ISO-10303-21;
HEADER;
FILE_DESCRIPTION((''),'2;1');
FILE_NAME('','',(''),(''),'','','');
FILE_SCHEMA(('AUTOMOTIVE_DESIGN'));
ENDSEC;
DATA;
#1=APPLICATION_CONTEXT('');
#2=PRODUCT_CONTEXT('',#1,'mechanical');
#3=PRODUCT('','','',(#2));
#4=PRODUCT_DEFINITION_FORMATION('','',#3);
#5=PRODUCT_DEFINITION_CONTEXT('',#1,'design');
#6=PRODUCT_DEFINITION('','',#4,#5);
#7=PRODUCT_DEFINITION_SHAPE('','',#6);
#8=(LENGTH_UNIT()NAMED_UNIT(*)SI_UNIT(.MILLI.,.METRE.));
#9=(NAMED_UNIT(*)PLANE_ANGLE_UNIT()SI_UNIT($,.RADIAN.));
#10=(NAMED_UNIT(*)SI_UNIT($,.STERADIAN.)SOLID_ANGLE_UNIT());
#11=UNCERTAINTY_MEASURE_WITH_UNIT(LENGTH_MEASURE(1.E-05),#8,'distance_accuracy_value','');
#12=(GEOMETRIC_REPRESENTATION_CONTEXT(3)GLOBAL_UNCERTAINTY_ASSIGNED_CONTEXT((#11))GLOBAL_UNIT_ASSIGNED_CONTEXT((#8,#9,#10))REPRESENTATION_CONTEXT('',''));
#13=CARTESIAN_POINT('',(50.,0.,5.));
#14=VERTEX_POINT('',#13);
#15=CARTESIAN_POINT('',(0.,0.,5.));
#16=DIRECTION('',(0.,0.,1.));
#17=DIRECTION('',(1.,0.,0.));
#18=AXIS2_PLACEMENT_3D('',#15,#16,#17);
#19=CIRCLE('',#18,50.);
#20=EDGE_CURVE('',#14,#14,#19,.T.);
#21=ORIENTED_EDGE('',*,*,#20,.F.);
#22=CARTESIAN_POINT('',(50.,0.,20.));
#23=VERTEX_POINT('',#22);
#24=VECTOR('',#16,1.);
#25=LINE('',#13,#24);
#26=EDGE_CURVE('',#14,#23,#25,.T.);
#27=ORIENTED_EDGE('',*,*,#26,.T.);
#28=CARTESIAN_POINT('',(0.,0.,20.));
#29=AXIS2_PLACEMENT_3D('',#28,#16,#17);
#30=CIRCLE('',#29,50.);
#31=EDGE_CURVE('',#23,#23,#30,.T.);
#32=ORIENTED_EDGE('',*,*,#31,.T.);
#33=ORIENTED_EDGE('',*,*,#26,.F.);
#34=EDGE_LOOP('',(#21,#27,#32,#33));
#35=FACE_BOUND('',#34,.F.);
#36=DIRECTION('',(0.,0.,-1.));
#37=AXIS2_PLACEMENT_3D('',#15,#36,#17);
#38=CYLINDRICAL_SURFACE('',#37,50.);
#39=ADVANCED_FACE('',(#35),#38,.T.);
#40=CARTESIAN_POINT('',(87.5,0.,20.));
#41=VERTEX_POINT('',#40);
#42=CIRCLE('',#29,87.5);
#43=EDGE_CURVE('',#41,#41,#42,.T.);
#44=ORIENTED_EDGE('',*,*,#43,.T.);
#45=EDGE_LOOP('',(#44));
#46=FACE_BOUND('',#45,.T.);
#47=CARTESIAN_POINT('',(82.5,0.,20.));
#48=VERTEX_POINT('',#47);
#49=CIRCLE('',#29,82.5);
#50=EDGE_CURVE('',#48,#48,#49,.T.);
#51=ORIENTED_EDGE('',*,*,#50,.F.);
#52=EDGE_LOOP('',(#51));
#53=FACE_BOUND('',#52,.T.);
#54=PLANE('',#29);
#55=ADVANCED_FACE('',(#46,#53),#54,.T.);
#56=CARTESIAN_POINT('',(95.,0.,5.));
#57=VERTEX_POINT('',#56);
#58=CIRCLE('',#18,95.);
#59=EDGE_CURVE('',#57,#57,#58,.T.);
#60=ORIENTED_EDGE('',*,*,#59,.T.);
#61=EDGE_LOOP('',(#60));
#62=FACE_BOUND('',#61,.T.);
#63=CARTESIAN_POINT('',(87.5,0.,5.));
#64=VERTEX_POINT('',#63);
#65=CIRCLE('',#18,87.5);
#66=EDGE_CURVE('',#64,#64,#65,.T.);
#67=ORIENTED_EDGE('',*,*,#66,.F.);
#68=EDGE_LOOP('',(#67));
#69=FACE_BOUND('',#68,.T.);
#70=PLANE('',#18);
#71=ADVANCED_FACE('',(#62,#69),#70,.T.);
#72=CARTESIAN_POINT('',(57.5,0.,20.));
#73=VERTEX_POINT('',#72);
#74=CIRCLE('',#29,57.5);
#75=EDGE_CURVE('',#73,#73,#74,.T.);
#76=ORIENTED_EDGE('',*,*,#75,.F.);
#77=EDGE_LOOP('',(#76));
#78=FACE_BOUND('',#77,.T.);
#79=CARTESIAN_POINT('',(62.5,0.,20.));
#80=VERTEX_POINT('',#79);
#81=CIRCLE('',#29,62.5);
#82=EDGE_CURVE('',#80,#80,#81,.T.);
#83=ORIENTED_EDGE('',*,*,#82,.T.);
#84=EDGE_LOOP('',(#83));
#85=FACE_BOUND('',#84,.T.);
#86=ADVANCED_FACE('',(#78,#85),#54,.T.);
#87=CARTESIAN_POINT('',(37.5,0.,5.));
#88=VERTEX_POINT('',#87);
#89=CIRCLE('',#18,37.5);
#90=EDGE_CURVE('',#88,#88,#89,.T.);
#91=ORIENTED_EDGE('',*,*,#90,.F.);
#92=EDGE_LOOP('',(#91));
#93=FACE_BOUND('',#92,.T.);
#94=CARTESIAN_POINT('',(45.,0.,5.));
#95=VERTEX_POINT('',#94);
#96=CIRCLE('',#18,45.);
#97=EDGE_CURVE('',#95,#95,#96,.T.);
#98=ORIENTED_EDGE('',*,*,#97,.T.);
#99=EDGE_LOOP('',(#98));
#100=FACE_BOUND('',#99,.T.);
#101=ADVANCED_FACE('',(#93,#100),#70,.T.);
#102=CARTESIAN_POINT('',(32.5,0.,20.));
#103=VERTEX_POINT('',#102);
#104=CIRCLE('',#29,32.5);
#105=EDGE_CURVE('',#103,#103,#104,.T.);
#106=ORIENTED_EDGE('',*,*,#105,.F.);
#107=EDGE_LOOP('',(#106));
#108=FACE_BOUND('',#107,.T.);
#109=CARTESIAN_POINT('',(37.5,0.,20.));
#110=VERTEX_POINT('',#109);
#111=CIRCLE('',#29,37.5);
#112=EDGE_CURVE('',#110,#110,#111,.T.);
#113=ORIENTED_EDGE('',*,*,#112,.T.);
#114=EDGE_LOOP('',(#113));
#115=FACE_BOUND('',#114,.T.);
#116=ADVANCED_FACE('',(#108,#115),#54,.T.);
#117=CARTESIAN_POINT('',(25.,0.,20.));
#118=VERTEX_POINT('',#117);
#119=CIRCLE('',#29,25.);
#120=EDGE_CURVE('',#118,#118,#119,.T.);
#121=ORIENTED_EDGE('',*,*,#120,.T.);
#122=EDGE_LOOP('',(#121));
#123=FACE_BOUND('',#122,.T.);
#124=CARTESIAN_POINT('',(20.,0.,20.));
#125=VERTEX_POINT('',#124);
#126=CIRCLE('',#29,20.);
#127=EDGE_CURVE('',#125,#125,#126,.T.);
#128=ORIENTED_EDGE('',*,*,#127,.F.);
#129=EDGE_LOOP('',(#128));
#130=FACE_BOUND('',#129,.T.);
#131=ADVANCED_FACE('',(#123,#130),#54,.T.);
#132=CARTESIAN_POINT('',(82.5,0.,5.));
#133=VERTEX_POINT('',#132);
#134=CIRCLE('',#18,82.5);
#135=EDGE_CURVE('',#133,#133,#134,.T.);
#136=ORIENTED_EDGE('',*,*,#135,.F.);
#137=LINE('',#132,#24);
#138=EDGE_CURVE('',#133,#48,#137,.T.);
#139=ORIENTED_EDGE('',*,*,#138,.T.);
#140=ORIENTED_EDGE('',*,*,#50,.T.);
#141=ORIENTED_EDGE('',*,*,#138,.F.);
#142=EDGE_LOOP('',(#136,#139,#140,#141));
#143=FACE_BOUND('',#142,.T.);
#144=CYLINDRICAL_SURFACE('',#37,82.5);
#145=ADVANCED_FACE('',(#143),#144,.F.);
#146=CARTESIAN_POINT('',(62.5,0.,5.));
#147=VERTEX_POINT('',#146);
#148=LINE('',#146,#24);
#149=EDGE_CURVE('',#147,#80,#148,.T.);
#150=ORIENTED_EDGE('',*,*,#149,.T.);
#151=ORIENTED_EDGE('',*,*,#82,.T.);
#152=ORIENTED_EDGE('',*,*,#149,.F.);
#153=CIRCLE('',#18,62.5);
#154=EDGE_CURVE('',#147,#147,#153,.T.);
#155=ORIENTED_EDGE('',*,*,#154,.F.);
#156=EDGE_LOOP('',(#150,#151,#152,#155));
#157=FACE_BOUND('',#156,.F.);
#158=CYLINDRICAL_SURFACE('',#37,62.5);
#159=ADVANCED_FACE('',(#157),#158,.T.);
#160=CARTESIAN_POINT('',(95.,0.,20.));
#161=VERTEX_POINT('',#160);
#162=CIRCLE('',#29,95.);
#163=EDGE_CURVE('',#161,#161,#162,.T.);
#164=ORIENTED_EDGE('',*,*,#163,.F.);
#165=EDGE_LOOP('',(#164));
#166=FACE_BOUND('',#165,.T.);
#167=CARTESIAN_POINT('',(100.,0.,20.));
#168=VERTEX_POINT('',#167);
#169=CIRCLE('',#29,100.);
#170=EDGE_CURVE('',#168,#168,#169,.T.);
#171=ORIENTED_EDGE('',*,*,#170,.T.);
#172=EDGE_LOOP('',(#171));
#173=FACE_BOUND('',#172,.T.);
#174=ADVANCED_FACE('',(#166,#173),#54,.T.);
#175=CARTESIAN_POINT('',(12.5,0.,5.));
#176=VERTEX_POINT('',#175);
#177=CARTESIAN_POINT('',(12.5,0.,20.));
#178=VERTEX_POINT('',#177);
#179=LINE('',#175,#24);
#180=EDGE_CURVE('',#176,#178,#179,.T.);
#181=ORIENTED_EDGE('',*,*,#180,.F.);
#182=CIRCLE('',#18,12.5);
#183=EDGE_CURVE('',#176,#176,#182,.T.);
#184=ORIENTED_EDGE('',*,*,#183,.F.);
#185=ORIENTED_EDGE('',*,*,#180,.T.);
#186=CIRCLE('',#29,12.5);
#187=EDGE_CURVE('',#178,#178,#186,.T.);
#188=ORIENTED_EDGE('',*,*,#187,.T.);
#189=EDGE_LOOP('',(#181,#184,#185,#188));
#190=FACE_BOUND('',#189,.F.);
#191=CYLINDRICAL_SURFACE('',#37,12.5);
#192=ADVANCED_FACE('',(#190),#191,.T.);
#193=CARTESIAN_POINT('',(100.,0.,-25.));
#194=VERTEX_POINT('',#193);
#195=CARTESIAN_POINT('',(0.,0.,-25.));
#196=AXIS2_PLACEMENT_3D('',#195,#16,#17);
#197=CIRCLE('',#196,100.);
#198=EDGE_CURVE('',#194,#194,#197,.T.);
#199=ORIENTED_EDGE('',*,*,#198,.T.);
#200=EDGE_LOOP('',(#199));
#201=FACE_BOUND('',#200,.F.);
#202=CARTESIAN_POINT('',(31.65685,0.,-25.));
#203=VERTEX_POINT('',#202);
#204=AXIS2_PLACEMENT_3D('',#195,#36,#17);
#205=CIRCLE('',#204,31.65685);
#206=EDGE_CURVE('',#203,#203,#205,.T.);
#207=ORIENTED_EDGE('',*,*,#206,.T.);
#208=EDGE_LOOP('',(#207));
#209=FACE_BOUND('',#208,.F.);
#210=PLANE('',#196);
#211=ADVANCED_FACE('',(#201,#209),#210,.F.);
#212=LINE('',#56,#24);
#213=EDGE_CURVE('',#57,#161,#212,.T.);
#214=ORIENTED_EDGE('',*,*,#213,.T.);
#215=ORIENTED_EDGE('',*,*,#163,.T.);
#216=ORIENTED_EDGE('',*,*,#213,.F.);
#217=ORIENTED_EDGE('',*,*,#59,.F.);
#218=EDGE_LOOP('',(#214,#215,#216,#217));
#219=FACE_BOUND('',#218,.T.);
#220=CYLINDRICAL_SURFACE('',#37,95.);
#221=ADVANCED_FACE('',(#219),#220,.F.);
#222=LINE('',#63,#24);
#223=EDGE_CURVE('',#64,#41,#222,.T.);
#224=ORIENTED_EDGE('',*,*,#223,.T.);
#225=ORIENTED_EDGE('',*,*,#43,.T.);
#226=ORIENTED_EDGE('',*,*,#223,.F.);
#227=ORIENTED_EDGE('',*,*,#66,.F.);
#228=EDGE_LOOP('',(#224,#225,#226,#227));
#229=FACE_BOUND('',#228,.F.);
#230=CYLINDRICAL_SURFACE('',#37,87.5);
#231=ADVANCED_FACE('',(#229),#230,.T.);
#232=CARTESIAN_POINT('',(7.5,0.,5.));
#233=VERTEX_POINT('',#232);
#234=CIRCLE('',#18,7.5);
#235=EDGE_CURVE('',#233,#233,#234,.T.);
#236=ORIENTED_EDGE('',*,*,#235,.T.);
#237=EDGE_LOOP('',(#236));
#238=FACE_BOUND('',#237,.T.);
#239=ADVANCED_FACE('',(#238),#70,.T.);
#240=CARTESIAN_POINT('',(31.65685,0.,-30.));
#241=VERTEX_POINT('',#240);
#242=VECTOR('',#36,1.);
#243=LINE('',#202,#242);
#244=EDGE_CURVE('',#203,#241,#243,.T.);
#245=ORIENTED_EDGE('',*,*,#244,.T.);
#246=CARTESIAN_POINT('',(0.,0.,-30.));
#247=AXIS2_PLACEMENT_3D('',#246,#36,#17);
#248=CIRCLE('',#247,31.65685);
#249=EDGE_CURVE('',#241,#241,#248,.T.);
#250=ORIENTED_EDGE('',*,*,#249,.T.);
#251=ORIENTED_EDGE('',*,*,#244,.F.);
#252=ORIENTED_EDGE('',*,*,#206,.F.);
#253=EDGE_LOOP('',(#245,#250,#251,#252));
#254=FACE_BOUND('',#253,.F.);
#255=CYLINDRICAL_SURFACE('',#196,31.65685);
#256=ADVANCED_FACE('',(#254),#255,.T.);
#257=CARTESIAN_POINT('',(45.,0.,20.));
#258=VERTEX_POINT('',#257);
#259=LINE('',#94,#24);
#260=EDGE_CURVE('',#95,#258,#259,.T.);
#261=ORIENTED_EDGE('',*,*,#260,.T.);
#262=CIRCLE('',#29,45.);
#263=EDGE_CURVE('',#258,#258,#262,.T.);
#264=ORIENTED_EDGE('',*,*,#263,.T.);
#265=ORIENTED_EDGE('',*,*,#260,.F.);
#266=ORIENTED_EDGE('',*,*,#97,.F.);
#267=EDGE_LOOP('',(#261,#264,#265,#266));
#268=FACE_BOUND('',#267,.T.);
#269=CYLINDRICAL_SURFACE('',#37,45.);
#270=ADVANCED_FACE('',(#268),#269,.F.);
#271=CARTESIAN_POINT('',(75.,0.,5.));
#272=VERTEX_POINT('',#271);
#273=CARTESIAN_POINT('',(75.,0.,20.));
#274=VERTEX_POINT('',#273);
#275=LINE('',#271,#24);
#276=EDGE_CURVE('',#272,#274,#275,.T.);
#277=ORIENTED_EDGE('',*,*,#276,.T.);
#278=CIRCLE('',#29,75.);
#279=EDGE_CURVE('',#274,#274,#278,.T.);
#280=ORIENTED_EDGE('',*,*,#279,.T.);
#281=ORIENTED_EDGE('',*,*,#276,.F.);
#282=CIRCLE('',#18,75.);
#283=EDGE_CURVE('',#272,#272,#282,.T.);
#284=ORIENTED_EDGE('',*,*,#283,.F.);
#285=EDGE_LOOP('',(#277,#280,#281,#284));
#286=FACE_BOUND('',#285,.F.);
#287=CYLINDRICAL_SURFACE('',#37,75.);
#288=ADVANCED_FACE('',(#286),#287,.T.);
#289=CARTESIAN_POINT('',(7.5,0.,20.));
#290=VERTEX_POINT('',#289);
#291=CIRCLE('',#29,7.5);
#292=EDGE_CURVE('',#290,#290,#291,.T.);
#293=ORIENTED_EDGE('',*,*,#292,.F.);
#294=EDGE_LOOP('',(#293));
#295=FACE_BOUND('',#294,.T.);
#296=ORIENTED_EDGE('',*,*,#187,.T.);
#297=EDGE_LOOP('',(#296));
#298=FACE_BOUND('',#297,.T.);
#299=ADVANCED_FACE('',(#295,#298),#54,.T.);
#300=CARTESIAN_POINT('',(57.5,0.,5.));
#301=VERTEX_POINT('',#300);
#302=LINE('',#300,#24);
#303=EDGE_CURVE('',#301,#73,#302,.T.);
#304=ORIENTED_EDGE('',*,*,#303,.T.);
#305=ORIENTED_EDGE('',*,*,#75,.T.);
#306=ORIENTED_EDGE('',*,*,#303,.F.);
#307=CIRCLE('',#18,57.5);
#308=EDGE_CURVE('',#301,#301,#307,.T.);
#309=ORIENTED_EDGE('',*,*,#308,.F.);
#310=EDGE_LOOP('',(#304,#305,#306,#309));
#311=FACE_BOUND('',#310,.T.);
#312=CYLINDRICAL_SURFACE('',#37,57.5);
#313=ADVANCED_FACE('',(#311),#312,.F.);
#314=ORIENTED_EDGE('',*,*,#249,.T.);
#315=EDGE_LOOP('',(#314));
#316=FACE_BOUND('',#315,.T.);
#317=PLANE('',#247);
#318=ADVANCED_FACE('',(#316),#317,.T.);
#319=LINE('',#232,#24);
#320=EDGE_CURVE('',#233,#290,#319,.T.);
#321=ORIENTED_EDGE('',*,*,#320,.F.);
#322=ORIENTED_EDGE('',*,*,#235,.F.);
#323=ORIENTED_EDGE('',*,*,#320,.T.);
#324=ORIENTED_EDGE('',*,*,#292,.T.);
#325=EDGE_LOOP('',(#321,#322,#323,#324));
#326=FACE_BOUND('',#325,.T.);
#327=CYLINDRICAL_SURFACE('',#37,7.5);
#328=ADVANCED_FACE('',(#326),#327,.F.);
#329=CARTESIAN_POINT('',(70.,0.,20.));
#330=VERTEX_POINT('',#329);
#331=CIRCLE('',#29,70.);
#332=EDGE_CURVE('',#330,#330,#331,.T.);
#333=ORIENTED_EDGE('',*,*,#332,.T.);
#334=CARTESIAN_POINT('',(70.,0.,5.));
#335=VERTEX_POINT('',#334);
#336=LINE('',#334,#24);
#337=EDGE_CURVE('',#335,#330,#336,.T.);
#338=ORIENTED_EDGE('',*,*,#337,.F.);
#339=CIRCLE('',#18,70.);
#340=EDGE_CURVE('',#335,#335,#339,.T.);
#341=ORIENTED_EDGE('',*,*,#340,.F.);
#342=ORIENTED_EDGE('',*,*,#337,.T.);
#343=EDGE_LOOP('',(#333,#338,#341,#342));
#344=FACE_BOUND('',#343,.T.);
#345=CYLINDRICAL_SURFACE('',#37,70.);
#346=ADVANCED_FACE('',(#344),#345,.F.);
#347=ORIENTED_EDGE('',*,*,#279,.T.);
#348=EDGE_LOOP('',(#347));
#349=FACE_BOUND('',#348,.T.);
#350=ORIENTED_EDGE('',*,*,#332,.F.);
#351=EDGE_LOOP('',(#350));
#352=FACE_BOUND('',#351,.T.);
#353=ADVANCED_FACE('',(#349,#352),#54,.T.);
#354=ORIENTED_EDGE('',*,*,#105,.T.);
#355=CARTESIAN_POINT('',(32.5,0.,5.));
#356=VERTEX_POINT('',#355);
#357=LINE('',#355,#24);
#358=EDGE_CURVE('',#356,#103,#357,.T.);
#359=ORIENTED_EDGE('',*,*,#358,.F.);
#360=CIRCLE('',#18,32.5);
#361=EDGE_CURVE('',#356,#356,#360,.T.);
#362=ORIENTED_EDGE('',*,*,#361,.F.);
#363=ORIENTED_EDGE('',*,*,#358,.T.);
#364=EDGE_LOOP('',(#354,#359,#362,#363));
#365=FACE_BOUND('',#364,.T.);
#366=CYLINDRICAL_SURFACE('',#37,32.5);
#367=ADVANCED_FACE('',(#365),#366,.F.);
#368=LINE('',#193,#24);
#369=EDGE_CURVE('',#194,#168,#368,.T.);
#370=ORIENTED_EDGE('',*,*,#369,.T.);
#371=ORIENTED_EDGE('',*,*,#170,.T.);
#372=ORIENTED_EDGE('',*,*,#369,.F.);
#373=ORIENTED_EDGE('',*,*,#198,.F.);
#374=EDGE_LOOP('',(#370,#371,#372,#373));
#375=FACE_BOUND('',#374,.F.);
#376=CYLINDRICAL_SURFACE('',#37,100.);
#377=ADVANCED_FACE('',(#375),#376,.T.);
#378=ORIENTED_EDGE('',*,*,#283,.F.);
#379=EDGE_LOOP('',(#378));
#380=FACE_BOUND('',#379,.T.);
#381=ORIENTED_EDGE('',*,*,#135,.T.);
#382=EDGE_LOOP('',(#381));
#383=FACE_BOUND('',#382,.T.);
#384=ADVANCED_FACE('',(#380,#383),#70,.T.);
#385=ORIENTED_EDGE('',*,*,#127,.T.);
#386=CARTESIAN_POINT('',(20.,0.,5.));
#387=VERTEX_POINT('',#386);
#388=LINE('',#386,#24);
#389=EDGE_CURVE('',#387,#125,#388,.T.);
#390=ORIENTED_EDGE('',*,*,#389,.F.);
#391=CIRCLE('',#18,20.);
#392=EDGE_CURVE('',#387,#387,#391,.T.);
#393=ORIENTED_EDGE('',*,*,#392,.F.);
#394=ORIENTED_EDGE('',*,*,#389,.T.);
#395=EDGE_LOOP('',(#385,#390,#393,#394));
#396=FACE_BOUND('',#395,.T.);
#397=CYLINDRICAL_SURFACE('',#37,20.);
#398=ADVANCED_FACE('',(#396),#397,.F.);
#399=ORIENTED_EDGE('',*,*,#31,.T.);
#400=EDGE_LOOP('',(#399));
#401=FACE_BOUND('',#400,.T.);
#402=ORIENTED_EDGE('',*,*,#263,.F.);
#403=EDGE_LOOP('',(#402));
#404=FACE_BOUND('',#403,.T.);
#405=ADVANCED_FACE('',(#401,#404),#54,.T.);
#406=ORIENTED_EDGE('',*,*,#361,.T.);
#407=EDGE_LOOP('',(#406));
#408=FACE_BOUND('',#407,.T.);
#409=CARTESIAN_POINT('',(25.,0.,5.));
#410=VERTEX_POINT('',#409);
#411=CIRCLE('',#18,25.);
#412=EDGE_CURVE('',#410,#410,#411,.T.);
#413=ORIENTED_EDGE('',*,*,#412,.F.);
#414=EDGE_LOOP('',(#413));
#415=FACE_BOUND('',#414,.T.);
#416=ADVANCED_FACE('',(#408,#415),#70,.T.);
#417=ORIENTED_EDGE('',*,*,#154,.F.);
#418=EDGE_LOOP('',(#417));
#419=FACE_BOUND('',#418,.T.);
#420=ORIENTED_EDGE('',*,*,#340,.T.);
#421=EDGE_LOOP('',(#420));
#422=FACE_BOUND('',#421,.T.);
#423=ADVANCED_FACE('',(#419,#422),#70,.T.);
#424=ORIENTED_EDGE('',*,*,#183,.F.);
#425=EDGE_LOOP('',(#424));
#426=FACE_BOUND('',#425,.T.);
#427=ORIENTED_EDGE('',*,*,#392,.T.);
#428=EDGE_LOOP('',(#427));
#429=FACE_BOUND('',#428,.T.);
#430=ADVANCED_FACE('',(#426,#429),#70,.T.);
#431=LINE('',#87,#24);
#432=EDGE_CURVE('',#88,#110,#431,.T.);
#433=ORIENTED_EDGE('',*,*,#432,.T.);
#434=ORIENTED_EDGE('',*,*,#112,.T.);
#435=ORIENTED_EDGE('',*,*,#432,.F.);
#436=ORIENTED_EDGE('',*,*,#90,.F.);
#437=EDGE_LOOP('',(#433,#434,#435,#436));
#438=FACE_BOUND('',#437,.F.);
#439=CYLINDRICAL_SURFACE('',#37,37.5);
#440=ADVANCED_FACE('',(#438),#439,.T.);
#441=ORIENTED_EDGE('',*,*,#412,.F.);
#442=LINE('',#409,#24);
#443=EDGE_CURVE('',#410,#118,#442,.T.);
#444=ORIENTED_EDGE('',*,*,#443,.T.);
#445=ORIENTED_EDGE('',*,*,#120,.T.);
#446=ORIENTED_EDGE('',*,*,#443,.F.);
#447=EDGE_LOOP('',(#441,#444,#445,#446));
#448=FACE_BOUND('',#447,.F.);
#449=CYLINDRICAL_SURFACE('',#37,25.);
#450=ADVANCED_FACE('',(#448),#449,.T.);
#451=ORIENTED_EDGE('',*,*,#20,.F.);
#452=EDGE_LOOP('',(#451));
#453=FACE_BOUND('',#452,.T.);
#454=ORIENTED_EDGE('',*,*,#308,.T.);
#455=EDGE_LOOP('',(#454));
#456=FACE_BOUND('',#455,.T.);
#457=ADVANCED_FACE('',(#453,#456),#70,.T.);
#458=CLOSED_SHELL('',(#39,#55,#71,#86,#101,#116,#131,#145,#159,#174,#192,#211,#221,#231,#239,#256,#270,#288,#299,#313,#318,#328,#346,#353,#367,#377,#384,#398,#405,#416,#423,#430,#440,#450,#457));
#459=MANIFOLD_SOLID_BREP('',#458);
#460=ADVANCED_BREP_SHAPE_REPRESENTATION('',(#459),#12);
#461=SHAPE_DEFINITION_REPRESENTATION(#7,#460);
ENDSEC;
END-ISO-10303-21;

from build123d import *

# Parameters (mm, degrees)
F0_R          = 100
F1_DEPTH      = 5
F1_DEPTH_BACK = 25
F2_R          = 100
F2_R_2        = 95
F2_R_3        = 87.5
F2_R_4        = 82.5
F2_R_5        = 75
F2_R_6        = 70
F2_R_7        = 62.5
F2_R_8        = 57.5
F2_R_9        = 50
F2_R_10       = 45
F2_R_11       = 37.5
F2_R_12       = 32.5
F2_R_13       = 25
F2_R_14       = 20
F2_R_15       = 12.5
F2_R_16       = 7.5
F3_DEPTH      = 15
F4_R          = 31.65685
F5_DEPTH      = 5


with BuildPart() as f1:
    # F0 (on Top) → F1 (new body, two sides)
    with BuildSketch(Plane.XY) as f1_sk:
        Circle(F0_R)
    extrude(amount=F1_DEPTH)
    extrude(f1_sk.sketch, amount=-F1_DEPTH_BACK)

    # F2 (on face) → F3 (join)
    with BuildSketch(Plane.XY.offset(5)):
        Circle(F2_R)
        Circle(F2_R_2, mode=Mode.SUBTRACT)
        Circle(F2_R_3)
        Circle(F2_R_4, mode=Mode.SUBTRACT)
        Circle(F2_R_5)
        Circle(F2_R_6, mode=Mode.SUBTRACT)
        Circle(F2_R_7)
        Circle(F2_R_8, mode=Mode.SUBTRACT)
        Circle(F2_R_9)
        Circle(F2_R_10, mode=Mode.SUBTRACT)
        Circle(F2_R_11)
        Circle(F2_R_12, mode=Mode.SUBTRACT)
        Circle(F2_R_13)
        Circle(F2_R_14, mode=Mode.SUBTRACT)
        Circle(F2_R_15)
        Circle(F2_R_16, mode=Mode.SUBTRACT)
    extrude(amount=F3_DEPTH)

    # F4 (on face) → F5 (join)
    with BuildSketch(Plane(origin=(0, 0, -25), x_dir=(1, 0, 0), z_dir=(0, 0, -1))):
        Circle(F4_R)
    extrude(amount=F5_DEPTH)


solid = f1.part
